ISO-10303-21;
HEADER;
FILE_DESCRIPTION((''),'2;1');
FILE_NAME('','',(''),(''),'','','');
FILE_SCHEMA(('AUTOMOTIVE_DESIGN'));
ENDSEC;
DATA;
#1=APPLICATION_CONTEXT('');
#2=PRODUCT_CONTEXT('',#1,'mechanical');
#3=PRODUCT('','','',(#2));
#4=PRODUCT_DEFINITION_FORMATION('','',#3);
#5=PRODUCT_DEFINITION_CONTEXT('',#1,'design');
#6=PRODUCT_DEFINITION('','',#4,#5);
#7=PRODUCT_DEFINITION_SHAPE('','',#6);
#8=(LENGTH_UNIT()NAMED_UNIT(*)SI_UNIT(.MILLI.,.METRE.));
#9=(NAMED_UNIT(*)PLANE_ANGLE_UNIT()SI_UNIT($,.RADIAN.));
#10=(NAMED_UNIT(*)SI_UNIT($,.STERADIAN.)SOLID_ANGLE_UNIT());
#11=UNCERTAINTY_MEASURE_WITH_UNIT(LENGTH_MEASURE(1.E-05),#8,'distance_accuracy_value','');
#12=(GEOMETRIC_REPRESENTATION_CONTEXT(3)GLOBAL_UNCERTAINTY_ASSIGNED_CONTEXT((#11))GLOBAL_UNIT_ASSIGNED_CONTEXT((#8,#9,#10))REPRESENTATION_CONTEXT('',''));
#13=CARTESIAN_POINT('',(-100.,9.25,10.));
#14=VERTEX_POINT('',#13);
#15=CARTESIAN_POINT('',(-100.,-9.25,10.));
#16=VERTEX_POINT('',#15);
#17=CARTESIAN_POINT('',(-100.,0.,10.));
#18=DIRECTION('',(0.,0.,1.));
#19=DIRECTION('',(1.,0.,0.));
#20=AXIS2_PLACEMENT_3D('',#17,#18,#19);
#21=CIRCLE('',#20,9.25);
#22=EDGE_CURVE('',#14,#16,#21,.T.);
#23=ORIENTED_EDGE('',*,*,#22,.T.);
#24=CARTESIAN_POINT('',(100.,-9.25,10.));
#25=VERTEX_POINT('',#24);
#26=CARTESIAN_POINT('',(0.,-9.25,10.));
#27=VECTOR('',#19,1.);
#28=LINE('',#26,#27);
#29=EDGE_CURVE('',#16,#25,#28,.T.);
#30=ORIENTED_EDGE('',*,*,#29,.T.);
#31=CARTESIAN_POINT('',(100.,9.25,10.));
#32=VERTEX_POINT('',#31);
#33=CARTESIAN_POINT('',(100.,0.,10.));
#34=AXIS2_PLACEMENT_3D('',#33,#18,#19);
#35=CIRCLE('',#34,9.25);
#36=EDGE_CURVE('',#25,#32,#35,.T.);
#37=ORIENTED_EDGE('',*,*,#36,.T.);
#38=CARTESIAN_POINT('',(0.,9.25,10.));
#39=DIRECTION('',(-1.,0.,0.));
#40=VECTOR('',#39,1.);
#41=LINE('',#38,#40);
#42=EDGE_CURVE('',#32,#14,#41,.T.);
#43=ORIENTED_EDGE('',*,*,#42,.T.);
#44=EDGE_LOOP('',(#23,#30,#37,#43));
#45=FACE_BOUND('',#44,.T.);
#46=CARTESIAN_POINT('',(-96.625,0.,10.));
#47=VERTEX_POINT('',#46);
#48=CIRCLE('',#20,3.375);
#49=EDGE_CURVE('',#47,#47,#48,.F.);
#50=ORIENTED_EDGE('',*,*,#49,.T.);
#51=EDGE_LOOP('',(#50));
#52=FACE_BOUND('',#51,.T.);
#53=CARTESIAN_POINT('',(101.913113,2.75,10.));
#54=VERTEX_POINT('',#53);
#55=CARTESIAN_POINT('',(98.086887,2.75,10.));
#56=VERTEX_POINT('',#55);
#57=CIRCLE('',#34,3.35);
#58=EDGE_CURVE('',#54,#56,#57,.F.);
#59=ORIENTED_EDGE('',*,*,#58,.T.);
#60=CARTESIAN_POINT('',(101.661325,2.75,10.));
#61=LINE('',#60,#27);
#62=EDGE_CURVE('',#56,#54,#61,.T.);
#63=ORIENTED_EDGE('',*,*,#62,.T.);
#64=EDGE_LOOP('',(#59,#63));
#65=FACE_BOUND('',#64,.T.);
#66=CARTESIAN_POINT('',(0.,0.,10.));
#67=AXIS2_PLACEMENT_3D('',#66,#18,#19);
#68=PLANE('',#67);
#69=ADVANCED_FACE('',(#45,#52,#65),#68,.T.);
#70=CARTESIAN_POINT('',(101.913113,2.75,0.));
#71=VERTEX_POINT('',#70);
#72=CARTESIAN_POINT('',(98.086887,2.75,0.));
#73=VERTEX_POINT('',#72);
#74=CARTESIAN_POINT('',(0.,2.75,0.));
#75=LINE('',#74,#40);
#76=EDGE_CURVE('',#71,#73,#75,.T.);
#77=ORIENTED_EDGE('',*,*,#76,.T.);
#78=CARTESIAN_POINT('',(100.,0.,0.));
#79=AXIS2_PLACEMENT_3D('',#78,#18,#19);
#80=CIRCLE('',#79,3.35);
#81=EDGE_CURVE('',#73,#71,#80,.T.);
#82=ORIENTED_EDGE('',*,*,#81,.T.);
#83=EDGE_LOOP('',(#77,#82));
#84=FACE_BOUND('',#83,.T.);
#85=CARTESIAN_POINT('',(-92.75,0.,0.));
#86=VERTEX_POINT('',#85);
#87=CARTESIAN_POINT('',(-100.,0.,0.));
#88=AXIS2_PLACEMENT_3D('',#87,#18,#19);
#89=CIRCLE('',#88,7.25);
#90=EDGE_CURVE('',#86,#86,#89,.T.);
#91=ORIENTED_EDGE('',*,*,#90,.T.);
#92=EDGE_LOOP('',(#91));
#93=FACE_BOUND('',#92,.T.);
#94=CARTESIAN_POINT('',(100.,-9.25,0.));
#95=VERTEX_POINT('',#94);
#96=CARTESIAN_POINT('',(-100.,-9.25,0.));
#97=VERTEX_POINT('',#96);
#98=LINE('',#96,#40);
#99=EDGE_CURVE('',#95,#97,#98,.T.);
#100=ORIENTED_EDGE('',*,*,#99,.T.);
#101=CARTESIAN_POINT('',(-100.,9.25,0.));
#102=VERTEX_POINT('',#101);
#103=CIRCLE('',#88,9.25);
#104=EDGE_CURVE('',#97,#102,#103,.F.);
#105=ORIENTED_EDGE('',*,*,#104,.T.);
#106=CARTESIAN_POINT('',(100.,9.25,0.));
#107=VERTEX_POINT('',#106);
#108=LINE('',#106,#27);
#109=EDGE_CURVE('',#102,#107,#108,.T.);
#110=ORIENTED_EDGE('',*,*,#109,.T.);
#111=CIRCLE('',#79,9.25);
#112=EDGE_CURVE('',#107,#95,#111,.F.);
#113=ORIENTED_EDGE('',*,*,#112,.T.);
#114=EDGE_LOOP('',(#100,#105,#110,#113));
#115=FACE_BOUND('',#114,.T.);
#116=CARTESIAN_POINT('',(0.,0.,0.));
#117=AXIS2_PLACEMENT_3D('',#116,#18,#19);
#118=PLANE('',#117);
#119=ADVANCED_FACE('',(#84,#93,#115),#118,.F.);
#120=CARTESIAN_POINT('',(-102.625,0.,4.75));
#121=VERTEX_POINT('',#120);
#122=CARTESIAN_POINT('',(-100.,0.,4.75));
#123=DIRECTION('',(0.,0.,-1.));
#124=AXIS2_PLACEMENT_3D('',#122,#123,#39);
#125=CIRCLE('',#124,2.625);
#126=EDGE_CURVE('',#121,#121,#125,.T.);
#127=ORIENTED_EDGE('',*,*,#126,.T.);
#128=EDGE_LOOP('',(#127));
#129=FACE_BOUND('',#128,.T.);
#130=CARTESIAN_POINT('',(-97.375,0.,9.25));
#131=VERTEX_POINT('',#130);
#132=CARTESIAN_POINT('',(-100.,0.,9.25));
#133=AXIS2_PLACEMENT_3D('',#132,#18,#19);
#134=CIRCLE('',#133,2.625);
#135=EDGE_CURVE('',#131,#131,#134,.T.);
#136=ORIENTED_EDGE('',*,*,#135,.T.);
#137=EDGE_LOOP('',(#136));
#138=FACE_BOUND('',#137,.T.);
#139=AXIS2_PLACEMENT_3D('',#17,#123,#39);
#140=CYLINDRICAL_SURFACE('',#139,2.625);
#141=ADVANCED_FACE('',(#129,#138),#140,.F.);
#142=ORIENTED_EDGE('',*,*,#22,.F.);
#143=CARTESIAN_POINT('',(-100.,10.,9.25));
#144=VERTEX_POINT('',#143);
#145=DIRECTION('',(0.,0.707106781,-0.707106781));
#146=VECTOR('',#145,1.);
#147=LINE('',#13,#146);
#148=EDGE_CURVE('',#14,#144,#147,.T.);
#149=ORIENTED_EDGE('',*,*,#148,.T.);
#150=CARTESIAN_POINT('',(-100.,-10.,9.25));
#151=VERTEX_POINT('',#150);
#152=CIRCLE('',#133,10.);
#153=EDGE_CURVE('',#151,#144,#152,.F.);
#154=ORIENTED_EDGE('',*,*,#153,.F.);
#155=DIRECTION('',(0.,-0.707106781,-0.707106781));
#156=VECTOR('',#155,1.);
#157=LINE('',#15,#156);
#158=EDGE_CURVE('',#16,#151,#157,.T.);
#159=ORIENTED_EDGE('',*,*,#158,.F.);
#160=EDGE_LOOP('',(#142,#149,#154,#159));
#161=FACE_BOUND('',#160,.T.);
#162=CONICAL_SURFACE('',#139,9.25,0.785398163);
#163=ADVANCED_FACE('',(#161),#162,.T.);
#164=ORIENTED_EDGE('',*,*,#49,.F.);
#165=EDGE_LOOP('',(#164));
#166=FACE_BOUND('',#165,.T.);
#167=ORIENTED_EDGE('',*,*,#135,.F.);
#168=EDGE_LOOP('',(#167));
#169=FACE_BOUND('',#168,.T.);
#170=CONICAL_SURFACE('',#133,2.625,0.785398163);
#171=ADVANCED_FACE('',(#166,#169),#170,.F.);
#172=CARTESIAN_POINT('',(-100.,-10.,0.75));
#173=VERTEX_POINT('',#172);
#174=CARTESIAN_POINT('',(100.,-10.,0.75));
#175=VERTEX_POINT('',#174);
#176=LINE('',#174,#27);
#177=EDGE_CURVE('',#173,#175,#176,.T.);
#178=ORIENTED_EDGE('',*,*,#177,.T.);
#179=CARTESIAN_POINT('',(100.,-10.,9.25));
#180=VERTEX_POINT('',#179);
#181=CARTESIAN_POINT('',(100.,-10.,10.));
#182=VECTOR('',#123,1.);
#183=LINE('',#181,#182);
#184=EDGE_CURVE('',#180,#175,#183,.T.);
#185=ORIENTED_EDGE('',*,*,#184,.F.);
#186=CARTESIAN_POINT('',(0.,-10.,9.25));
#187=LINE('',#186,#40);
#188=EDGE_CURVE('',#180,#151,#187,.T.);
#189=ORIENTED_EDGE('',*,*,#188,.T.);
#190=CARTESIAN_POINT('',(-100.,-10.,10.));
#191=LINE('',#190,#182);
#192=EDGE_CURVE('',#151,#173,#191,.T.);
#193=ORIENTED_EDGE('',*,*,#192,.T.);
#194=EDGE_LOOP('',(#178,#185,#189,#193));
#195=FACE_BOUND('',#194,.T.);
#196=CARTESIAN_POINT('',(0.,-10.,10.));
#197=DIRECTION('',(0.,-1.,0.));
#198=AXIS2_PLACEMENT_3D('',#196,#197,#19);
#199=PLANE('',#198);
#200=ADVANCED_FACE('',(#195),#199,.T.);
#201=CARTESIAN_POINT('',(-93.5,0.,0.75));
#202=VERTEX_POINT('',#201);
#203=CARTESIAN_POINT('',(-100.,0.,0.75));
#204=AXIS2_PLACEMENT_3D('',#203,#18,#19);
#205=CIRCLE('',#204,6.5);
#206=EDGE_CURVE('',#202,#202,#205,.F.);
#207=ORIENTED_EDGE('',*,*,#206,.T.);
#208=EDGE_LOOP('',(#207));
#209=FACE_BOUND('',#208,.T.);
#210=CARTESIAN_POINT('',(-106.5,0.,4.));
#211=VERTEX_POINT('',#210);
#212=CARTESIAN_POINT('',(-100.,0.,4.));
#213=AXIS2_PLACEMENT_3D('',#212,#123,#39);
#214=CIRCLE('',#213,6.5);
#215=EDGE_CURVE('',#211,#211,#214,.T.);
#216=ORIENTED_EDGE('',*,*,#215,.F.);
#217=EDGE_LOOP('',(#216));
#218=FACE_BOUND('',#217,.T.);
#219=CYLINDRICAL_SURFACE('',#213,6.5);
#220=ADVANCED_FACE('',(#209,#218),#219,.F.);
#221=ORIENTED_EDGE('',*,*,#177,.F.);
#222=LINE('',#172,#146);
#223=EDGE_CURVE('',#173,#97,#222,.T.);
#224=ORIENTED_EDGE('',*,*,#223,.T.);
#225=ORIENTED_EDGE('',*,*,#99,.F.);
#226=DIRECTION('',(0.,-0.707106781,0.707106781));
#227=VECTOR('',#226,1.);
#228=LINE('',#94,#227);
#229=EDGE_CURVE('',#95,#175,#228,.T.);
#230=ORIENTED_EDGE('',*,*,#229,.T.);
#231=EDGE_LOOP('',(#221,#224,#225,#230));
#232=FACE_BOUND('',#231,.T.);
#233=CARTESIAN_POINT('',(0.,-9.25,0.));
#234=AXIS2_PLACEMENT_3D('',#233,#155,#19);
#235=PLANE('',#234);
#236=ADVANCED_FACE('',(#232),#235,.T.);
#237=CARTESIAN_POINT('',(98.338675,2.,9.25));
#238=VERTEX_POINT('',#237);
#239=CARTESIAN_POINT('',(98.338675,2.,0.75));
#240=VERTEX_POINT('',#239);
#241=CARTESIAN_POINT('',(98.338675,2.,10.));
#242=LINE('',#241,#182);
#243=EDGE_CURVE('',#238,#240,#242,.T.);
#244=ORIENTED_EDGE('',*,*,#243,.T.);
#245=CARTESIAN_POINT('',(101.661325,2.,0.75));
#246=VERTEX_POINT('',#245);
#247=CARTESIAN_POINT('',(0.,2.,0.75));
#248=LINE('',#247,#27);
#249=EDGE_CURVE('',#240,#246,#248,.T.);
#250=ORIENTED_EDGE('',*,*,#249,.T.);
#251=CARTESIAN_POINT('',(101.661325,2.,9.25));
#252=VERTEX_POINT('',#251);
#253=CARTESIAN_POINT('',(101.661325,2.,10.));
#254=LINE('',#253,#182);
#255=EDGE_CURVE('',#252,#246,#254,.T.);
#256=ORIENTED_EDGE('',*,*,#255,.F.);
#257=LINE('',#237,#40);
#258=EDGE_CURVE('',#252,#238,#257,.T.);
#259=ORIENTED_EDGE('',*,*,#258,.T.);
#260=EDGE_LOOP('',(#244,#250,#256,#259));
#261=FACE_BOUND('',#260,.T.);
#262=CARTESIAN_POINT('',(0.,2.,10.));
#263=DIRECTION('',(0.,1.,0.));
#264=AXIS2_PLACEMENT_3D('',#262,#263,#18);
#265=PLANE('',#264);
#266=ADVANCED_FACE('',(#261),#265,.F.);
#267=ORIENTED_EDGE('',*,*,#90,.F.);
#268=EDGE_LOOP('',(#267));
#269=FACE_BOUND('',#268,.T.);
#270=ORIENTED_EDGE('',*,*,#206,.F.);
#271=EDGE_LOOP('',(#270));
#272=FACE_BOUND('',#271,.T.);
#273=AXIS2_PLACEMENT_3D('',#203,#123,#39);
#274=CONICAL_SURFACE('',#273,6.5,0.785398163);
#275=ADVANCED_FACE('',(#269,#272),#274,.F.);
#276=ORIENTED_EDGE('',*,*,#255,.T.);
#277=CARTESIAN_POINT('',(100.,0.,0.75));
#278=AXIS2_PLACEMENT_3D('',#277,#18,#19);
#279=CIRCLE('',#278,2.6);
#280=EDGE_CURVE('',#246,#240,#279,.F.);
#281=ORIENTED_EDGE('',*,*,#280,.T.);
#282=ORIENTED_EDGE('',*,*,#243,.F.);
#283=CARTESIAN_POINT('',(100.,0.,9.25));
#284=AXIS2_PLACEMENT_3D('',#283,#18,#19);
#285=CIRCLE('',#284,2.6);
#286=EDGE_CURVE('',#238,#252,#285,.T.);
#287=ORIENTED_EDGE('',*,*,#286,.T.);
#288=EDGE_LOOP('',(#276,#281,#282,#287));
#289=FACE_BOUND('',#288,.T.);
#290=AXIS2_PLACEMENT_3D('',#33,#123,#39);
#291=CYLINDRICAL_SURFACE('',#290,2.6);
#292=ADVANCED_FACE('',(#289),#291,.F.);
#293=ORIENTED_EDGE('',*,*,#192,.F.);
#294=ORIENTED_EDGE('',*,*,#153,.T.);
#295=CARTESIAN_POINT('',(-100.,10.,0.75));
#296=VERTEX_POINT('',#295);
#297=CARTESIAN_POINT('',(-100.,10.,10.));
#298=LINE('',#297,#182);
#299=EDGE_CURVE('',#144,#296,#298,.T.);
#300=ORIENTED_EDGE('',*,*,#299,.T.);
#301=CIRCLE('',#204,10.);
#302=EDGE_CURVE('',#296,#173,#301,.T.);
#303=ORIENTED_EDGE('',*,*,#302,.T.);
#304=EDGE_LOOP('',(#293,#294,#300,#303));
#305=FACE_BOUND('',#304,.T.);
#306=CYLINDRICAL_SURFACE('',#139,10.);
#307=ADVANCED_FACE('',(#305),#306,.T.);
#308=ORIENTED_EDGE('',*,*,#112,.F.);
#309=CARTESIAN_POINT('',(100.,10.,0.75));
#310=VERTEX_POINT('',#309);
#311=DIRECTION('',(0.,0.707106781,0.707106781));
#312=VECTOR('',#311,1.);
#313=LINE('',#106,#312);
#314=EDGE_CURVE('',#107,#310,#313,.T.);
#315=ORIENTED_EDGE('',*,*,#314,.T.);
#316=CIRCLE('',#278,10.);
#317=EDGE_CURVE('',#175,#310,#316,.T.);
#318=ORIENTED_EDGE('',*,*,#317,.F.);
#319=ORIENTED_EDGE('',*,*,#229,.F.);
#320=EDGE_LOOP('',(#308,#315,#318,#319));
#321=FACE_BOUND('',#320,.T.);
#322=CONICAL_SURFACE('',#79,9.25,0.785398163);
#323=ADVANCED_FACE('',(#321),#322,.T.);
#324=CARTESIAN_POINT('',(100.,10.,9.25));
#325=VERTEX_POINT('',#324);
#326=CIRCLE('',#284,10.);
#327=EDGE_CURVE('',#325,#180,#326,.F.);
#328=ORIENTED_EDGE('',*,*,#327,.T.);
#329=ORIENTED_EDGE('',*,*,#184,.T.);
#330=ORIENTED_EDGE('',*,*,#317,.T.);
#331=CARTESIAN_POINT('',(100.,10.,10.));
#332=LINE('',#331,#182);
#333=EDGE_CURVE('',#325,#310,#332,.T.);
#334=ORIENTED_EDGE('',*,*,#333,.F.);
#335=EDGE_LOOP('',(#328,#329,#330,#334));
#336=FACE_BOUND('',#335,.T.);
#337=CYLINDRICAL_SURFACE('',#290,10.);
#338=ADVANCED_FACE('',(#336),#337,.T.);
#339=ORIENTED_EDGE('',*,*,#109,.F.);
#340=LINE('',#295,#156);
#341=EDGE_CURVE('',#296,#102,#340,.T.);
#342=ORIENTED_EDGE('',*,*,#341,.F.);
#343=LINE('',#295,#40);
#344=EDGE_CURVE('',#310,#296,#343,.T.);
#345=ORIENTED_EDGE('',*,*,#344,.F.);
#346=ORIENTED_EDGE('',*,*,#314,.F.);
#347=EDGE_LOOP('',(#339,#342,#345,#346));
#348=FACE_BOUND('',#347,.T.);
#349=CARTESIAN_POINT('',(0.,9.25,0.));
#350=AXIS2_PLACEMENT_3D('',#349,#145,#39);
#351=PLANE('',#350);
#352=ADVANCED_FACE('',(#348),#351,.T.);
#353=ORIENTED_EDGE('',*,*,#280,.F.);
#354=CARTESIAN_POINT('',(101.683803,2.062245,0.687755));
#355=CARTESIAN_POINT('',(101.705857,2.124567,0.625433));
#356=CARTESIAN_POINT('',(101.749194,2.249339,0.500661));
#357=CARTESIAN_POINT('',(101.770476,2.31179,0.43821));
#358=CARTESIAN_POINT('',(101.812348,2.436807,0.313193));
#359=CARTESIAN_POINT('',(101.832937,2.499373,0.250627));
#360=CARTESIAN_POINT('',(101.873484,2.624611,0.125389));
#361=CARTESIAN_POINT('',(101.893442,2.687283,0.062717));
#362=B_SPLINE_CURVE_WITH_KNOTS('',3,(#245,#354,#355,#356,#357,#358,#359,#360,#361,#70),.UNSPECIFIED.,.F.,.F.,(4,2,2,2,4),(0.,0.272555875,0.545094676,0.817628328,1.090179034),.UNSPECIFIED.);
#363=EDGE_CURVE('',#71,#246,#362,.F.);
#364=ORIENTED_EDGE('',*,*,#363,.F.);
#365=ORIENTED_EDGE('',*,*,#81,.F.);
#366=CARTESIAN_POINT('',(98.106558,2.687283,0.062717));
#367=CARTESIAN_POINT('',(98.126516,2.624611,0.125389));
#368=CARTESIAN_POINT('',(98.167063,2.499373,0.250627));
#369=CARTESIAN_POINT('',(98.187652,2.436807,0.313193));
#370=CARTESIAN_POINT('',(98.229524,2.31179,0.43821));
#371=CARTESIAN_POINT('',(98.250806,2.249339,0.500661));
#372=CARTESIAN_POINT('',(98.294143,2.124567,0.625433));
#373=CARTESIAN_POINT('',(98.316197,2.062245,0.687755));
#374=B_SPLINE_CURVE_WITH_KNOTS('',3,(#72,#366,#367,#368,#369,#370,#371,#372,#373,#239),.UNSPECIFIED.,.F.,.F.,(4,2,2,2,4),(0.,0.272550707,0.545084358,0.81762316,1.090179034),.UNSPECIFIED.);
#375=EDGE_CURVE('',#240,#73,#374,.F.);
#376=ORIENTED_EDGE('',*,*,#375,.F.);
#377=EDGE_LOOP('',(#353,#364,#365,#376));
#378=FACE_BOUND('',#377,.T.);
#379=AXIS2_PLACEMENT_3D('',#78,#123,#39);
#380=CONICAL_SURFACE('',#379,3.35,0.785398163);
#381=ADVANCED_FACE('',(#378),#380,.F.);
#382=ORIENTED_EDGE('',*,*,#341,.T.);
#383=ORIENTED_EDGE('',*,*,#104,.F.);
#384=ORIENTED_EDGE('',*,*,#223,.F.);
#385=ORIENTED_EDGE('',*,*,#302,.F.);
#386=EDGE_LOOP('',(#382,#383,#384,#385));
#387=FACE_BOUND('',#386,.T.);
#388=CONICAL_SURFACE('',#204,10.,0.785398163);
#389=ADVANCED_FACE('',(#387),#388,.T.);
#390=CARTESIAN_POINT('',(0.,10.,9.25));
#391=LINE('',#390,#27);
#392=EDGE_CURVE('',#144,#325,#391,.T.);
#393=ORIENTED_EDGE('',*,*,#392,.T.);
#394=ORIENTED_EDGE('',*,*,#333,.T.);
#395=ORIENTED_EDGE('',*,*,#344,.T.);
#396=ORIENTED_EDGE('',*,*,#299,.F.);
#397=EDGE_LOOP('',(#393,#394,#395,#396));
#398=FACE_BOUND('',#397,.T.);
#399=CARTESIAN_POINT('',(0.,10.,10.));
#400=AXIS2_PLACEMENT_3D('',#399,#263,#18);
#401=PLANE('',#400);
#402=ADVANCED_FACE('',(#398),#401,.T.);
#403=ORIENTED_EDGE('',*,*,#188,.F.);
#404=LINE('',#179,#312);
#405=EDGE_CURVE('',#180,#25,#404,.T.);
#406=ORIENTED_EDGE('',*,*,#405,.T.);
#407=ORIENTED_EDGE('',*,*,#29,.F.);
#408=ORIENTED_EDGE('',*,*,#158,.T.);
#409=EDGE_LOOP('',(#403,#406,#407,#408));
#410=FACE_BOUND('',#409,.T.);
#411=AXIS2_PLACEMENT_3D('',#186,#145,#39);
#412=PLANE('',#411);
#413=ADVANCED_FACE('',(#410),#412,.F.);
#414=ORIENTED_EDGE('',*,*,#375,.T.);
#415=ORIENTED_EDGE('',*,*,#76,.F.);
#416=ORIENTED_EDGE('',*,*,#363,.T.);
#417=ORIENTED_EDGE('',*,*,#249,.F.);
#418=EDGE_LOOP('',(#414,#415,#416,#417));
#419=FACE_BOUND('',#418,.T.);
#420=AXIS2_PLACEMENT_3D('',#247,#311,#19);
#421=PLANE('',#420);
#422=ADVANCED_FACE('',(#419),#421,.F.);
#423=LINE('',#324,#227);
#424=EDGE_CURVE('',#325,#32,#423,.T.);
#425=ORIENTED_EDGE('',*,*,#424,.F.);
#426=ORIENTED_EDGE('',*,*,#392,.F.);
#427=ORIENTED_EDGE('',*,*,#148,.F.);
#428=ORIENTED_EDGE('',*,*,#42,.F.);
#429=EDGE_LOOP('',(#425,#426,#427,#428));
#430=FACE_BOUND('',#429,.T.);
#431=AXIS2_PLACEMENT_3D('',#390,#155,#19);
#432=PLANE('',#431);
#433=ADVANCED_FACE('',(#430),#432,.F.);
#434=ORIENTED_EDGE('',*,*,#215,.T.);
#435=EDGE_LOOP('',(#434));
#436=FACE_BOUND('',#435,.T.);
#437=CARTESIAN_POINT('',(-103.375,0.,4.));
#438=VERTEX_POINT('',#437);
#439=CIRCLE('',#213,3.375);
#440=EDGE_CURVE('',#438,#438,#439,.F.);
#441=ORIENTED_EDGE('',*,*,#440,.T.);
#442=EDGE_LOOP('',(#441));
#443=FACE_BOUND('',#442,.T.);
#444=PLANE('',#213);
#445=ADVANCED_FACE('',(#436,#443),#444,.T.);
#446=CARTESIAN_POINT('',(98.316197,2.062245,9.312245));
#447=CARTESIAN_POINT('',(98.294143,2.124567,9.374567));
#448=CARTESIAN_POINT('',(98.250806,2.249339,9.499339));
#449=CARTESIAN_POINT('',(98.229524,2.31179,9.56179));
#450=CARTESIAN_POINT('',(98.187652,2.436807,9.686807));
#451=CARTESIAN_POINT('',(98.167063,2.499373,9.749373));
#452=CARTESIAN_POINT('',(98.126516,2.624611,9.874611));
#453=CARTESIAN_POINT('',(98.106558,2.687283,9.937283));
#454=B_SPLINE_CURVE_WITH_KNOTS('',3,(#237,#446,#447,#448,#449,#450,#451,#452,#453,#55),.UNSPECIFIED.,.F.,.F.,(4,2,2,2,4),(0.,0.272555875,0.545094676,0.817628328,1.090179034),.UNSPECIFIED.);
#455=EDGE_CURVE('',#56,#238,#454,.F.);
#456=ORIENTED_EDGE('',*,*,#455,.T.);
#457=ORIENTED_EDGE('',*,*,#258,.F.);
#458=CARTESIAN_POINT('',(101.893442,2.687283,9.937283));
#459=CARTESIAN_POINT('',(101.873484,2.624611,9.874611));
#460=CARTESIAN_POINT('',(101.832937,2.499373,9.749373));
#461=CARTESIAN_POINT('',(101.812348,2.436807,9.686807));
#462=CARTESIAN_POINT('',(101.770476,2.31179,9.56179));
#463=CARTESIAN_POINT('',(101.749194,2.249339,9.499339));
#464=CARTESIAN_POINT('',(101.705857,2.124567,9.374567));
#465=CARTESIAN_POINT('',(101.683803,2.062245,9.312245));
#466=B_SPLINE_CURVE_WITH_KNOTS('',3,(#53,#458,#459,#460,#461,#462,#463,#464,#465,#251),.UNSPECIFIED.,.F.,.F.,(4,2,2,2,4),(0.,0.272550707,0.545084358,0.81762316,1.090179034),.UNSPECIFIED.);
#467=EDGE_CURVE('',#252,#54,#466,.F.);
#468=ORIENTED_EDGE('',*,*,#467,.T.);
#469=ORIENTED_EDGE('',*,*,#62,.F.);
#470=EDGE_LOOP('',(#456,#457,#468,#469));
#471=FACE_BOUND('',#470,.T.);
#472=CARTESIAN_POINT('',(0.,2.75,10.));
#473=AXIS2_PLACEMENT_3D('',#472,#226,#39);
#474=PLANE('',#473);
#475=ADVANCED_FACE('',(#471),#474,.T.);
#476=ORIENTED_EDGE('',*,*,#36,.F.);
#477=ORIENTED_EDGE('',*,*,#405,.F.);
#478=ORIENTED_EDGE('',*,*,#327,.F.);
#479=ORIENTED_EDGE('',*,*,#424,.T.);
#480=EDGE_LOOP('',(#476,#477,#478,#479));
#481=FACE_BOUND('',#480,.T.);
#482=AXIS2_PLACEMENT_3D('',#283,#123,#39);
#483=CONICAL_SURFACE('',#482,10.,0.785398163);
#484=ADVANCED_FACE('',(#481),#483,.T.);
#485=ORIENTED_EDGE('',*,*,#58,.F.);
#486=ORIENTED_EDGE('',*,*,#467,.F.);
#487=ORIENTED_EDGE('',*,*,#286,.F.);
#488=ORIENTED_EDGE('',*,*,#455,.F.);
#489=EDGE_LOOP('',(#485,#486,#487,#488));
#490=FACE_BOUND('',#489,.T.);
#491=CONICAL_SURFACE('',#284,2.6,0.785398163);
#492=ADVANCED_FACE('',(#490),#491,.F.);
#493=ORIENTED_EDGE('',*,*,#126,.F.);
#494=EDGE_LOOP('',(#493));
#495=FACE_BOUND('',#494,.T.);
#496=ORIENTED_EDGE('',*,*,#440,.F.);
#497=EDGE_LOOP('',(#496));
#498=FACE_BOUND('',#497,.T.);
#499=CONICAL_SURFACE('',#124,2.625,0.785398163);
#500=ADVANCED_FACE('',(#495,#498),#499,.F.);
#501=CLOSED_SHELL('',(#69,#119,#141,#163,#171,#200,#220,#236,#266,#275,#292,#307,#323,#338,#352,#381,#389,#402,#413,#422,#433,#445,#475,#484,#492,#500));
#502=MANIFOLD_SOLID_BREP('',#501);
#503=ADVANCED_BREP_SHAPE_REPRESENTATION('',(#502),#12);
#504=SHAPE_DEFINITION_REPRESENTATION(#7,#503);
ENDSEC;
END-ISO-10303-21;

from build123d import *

# Parameters (mm, degrees)
SKETCH1_R           = 2.625
BOSS_EXTRUDE1_DEPTH = 10
SKETCH2_R           = 6.5
CUT_EXTRUDE1_DEPTH  = 4
CHAMFER1_SIZE       = 0.75


with BuildPart() as part:
    # Sketch1 → Boss-Extrude1 (new body)
    with BuildSketch(Plane.XY):
        with BuildLine():
            Line((100, 10), (-100, 10))
            ThreePointArc((-100, 10), (-110, 0), (-100, -10))
            Line((-100, -10), (100, -10))
            ThreePointArc((100, -10), (110, 0), (100, 10))
        make_face()
        with Locations((-100, 0)):
            Circle(SKETCH1_R, mode=Mode.SUBTRACT)
        with BuildLine():
            Line((98.338675227, 2), (101.661324773, 2))
            ThreePointArc((101.661324773, 2), (100, -2.6), (98.338675227, 2))
        make_face(mode=Mode.SUBTRACT)
    extrude(amount=BOSS_EXTRUDE1_DEPTH)

    # Sketch2 → Cut-Extrude1 (cut)
    with BuildSketch(Plane(origin=(0, 0, 0), x_dir=(-1, 0, 0), z_dir=(0, 0, -1))):
        with Locations((100, 0)):
            Circle(SKETCH2_R)
    extrude(amount=-CUT_EXTRUDE1_DEPTH, mode=Mode.SUBTRACT)

    # Chamfer1
    chamfer1_edges = [part.edges().sort_by_distance(p)[0] for p in [
        (-110, 0, 0),
        (0, 10, 0),
        (110, 0, 0),
        (110, 0, 10),
        (0, -10, 0),
        (0, 10, 10),
        (-110, 0, 10),
        (-102.625, 0, 4),
        (-93.5, 0, 0),
        (-102.625, 0, 10),
        (100, -2.6, 10),
        (100, 2, 10),
        (0, -10, 10),
        (100, 2, 0),
        (100, -2.6, 0),
    ]]
    chamfer(chamfer1_edges, length=CHAMFER1_SIZE)


solid = part.part
